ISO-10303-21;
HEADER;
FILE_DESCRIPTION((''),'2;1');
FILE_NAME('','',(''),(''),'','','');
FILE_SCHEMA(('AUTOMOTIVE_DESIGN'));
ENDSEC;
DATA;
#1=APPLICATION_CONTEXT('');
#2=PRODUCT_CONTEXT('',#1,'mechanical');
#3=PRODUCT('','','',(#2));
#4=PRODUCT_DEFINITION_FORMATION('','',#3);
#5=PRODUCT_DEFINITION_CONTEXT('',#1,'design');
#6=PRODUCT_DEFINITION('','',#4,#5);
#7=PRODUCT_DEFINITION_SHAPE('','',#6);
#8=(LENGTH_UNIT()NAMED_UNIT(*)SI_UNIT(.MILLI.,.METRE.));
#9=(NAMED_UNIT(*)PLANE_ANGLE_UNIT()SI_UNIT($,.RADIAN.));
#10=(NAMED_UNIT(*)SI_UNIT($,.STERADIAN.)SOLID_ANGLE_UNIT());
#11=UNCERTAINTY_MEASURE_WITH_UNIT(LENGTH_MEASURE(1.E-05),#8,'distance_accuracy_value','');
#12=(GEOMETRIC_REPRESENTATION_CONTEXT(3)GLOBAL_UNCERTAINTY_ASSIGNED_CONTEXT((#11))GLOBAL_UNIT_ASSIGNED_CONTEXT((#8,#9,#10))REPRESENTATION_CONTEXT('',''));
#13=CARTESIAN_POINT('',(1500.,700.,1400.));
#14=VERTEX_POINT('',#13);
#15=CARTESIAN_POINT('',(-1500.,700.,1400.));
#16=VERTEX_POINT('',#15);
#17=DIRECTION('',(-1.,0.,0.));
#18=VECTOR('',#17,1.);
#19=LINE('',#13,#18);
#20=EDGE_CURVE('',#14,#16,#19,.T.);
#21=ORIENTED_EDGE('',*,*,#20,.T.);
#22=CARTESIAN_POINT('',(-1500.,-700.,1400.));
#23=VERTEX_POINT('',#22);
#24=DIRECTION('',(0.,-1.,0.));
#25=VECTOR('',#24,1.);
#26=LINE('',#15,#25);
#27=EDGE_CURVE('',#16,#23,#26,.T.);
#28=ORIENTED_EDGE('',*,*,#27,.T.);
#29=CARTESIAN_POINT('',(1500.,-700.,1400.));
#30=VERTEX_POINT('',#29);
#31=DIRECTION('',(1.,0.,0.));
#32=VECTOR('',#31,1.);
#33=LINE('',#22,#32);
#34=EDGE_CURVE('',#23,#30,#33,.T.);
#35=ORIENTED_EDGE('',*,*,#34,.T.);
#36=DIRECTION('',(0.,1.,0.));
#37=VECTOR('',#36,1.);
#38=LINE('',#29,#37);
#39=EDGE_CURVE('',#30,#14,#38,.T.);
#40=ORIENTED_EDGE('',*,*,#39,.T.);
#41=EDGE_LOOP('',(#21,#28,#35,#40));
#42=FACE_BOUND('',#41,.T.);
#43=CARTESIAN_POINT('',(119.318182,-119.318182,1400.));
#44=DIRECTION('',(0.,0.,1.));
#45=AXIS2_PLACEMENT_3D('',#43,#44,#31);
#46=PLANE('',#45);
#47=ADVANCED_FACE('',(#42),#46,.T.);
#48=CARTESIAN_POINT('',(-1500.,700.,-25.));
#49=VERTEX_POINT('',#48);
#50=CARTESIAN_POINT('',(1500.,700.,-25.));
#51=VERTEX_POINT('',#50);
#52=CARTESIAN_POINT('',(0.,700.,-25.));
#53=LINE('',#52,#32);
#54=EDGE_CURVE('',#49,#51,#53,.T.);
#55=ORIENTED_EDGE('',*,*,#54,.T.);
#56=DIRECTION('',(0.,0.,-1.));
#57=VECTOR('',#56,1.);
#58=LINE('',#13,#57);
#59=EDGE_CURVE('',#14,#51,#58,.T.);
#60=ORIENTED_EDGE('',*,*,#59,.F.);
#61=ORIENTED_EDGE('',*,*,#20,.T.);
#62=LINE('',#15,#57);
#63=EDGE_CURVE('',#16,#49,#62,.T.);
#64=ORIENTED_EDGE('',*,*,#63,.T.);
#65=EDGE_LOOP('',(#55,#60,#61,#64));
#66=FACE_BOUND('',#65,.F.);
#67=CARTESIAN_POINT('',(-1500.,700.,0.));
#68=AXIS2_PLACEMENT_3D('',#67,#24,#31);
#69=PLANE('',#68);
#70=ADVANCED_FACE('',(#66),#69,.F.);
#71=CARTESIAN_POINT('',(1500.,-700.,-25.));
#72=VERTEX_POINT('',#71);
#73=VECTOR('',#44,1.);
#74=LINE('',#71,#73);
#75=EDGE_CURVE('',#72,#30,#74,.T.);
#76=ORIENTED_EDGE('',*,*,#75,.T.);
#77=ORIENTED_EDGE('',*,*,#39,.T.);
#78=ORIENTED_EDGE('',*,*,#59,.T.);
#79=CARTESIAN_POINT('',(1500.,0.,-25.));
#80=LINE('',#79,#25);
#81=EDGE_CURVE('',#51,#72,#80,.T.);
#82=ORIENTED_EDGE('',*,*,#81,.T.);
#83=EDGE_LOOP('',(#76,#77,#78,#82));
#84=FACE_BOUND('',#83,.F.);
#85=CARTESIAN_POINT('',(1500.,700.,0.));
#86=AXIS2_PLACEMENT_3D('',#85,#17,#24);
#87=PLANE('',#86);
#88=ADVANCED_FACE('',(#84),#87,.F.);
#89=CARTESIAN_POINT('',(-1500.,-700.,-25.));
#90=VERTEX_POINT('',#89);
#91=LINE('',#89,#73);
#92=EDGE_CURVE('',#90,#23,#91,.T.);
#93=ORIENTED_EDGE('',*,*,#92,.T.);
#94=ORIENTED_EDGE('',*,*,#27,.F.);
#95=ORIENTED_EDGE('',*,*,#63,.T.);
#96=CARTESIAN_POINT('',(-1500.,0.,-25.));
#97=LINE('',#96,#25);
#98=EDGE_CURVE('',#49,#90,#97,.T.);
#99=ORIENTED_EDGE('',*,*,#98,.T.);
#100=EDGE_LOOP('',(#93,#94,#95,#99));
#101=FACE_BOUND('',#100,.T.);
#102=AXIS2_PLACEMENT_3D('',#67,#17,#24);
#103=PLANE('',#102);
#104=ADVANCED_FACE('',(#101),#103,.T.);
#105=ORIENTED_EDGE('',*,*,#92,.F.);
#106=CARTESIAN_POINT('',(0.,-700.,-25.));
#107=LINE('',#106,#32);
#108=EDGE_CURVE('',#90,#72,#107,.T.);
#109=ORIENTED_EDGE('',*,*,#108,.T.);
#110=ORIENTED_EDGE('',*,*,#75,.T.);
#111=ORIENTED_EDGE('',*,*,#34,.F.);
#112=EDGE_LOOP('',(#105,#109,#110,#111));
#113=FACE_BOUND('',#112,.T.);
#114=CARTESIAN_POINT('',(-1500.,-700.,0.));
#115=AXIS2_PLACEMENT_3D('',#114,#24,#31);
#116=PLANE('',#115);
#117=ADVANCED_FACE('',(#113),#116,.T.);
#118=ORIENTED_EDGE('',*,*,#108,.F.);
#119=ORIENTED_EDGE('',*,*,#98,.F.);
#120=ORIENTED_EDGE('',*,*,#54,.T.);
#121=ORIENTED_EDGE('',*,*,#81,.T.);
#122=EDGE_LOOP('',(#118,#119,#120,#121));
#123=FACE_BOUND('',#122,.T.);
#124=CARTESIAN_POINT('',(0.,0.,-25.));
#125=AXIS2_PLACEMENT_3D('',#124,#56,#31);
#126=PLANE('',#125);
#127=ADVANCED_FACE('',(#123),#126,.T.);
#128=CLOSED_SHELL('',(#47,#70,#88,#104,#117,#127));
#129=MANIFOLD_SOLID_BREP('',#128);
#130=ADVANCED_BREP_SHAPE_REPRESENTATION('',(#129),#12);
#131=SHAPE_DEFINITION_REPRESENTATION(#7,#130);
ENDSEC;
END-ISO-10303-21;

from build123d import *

# Parameters (mm, degrees)
F0_W      = 1500
F0_H      = 700
F1_DEPTH  = 1400
F1_FACE_W = 3000
F1_FACE_H = 1400
F2_DEPTH  = 25


with BuildPart() as f1:
    # F0 (on Top) → F1 (new body)
    with BuildSketch(Plane.XY):
        Polygon((0, 700), (0, 0), (-1500, 0), (-1500, -700), (1500, -700), (1500, 700), align=None)
        with Locations((-750, 350)):
            Rectangle(F0_W, F0_H)
    extrude(amount=F1_DEPTH)

    # F1_face (on face) → F2 (join)
    with BuildSketch(Plane(origin=(0, 0, 0), x_dir=(1, 0, 0), z_dir=(0, 0, -1))):
        Rectangle(F1_FACE_W, F1_FACE_H)
    extrude(amount=F2_DEPTH)


solid = f1.part
